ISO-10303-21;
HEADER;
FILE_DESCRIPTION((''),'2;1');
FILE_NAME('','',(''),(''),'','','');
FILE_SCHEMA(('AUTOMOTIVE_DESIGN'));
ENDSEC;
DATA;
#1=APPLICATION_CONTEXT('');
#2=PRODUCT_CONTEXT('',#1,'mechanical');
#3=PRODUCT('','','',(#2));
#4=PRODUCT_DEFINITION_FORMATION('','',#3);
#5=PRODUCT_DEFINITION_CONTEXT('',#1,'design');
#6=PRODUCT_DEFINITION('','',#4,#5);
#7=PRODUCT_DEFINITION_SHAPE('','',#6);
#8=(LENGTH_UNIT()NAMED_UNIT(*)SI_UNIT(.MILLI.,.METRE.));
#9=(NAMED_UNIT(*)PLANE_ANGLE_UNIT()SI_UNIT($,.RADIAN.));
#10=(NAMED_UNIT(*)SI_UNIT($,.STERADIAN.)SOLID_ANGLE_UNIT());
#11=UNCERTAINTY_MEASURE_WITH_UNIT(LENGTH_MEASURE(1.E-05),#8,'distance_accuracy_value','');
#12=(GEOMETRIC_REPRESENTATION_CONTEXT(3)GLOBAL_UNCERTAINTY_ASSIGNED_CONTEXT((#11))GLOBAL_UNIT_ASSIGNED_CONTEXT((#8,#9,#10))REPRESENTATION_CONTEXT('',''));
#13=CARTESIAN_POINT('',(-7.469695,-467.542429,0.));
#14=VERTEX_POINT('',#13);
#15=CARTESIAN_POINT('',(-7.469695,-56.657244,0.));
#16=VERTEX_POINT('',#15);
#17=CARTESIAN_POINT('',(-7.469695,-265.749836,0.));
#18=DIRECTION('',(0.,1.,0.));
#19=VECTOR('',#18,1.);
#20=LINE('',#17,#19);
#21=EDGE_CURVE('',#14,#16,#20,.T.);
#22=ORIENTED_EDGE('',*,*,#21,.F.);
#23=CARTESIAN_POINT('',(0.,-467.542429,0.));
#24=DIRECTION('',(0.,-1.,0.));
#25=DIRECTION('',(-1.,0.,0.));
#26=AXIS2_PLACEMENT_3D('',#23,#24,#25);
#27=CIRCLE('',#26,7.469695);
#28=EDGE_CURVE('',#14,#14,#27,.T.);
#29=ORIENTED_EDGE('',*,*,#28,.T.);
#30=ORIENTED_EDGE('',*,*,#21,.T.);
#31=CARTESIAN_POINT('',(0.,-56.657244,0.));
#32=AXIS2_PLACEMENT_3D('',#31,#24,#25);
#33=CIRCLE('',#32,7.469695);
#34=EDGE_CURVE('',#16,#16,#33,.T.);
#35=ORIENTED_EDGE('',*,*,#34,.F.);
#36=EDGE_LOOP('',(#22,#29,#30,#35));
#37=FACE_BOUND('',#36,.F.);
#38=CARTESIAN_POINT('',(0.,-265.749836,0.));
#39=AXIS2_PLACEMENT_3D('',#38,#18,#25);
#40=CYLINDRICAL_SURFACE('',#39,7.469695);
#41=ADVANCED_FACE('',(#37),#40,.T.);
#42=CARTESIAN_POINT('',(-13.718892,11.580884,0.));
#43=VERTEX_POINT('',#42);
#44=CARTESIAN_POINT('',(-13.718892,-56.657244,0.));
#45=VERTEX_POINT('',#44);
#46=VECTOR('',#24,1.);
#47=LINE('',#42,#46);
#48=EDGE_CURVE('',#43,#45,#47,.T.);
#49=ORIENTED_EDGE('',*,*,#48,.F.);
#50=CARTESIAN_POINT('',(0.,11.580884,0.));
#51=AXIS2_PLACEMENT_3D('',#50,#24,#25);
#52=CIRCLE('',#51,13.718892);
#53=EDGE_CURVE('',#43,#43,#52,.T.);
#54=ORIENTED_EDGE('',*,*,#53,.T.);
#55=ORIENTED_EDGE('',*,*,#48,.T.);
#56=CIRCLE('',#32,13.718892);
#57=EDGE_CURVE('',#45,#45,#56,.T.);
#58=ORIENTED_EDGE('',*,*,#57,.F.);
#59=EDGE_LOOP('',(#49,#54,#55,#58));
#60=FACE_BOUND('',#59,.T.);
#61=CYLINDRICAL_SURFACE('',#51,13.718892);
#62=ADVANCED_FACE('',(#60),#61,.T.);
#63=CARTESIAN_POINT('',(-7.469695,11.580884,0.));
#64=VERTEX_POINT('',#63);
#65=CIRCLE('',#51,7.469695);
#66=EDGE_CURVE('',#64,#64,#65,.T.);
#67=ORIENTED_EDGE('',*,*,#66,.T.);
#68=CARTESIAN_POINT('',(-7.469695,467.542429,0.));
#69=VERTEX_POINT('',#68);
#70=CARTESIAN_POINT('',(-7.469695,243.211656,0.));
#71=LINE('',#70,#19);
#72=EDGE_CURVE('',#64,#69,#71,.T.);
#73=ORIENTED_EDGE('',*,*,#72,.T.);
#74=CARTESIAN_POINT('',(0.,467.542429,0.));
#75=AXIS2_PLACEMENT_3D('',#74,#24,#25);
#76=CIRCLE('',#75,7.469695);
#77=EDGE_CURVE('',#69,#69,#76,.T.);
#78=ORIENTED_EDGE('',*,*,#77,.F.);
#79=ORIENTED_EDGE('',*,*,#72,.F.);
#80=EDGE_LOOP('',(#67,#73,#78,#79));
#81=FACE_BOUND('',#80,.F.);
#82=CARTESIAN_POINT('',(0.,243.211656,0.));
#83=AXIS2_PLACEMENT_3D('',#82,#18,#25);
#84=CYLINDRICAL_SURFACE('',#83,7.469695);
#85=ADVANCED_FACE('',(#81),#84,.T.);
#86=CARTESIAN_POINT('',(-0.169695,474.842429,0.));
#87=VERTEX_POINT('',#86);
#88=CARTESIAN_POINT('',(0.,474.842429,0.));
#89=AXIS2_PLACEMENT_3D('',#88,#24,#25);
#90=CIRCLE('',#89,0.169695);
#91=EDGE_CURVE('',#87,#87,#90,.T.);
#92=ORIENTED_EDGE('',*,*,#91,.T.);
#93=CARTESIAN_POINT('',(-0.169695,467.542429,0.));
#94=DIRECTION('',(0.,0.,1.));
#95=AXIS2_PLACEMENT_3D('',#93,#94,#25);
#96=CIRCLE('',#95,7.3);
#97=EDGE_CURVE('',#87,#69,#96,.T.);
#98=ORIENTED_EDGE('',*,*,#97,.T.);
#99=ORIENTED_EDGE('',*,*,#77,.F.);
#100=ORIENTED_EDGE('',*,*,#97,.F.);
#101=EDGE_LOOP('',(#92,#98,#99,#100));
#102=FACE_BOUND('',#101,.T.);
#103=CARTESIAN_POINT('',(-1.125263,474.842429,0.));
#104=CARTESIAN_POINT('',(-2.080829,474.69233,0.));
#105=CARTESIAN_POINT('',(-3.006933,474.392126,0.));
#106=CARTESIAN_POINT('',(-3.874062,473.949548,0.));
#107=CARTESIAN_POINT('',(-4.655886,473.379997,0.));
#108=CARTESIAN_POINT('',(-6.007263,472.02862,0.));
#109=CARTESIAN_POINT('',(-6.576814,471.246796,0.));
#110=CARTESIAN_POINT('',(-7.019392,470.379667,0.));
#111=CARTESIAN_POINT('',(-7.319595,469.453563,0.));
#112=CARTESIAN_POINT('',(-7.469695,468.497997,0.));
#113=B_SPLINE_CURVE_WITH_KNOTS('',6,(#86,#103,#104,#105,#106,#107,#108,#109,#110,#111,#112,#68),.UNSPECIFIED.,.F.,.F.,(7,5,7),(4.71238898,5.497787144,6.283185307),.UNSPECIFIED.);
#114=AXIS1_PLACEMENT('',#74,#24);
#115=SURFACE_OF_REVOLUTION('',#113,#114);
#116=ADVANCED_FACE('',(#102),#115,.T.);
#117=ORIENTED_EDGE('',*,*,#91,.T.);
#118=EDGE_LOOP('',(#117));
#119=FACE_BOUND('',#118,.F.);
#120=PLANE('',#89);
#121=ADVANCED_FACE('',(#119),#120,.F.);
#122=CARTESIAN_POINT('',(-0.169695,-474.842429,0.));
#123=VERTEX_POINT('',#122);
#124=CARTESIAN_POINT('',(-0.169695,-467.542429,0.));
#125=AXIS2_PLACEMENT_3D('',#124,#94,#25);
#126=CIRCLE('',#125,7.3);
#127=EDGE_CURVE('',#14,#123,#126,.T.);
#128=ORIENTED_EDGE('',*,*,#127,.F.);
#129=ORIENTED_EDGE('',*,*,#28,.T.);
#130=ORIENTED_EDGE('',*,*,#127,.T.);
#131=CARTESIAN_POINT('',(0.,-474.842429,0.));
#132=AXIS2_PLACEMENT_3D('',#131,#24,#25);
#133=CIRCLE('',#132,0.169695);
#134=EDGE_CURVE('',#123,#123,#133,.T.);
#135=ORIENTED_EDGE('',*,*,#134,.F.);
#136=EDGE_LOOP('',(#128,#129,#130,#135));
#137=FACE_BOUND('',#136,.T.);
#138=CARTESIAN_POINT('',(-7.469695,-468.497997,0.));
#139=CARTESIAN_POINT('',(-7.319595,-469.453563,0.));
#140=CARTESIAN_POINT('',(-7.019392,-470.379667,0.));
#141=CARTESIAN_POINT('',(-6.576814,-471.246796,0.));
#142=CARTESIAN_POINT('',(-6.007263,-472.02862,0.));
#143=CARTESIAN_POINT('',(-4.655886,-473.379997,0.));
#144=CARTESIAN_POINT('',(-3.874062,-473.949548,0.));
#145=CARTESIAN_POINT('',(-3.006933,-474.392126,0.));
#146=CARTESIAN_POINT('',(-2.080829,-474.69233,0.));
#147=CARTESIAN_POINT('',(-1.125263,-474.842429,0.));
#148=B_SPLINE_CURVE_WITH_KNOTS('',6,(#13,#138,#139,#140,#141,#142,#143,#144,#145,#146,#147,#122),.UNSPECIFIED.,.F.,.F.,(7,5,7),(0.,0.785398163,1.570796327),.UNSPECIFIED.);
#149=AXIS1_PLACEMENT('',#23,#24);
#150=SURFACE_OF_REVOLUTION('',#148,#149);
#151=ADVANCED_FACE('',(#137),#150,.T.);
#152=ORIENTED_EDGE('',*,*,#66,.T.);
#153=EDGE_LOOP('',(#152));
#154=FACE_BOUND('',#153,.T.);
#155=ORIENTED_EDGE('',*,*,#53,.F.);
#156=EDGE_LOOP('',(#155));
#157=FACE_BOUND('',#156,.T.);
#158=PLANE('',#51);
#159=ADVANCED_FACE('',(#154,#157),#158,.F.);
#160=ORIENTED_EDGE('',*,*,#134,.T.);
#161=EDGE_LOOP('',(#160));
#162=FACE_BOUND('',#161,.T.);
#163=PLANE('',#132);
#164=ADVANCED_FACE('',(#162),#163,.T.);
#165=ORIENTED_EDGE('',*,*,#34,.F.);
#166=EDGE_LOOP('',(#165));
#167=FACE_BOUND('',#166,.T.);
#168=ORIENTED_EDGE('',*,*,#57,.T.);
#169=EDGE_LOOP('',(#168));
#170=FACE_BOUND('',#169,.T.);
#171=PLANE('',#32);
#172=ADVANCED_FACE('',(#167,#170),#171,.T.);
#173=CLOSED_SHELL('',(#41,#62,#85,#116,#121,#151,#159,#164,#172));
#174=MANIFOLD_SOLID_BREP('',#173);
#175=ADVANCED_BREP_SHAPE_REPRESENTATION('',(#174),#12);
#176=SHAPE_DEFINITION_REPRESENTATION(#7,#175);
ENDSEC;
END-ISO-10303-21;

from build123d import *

# Parameters (mm, degrees)
F0_W   = 7.4696950614
F0_H   = 463.2615456358
F0_H_2 = 418.1851856411
F2_R   = 7.3


with BuildPart() as f1:
    # F0 (on Top) → F1 (revolve)
    with BuildSketch(Plane.XY):
        Polygon((-7.4696950614, 11.5808835253), (-13.7188918889, 11.5808835253), (-13.7188918889, -56.65724352), (-7.4696950614, -56.65724352), (0, -56.65724352), (0, 11.5808835253), align=None)
        with Locations((-3.7348475307, 243.2116563432)):
            Rectangle(F0_W, F0_H)
        with Locations((-3.7348475307, -265.7498363405)):
            Rectangle(F0_W, F0_H_2)
    revolve(axis=Axis((0, 0, 0), (0, -1, 0)))

    # F2
    f2_edges = [f1.edges().sort_by_distance(p)[0] for p in [
        (7.469695, 474.842429, 0),
        (7.469695, -474.842429, 0),
    ]]
    fillet(f2_edges, radius=F2_R)


solid = f1.part
